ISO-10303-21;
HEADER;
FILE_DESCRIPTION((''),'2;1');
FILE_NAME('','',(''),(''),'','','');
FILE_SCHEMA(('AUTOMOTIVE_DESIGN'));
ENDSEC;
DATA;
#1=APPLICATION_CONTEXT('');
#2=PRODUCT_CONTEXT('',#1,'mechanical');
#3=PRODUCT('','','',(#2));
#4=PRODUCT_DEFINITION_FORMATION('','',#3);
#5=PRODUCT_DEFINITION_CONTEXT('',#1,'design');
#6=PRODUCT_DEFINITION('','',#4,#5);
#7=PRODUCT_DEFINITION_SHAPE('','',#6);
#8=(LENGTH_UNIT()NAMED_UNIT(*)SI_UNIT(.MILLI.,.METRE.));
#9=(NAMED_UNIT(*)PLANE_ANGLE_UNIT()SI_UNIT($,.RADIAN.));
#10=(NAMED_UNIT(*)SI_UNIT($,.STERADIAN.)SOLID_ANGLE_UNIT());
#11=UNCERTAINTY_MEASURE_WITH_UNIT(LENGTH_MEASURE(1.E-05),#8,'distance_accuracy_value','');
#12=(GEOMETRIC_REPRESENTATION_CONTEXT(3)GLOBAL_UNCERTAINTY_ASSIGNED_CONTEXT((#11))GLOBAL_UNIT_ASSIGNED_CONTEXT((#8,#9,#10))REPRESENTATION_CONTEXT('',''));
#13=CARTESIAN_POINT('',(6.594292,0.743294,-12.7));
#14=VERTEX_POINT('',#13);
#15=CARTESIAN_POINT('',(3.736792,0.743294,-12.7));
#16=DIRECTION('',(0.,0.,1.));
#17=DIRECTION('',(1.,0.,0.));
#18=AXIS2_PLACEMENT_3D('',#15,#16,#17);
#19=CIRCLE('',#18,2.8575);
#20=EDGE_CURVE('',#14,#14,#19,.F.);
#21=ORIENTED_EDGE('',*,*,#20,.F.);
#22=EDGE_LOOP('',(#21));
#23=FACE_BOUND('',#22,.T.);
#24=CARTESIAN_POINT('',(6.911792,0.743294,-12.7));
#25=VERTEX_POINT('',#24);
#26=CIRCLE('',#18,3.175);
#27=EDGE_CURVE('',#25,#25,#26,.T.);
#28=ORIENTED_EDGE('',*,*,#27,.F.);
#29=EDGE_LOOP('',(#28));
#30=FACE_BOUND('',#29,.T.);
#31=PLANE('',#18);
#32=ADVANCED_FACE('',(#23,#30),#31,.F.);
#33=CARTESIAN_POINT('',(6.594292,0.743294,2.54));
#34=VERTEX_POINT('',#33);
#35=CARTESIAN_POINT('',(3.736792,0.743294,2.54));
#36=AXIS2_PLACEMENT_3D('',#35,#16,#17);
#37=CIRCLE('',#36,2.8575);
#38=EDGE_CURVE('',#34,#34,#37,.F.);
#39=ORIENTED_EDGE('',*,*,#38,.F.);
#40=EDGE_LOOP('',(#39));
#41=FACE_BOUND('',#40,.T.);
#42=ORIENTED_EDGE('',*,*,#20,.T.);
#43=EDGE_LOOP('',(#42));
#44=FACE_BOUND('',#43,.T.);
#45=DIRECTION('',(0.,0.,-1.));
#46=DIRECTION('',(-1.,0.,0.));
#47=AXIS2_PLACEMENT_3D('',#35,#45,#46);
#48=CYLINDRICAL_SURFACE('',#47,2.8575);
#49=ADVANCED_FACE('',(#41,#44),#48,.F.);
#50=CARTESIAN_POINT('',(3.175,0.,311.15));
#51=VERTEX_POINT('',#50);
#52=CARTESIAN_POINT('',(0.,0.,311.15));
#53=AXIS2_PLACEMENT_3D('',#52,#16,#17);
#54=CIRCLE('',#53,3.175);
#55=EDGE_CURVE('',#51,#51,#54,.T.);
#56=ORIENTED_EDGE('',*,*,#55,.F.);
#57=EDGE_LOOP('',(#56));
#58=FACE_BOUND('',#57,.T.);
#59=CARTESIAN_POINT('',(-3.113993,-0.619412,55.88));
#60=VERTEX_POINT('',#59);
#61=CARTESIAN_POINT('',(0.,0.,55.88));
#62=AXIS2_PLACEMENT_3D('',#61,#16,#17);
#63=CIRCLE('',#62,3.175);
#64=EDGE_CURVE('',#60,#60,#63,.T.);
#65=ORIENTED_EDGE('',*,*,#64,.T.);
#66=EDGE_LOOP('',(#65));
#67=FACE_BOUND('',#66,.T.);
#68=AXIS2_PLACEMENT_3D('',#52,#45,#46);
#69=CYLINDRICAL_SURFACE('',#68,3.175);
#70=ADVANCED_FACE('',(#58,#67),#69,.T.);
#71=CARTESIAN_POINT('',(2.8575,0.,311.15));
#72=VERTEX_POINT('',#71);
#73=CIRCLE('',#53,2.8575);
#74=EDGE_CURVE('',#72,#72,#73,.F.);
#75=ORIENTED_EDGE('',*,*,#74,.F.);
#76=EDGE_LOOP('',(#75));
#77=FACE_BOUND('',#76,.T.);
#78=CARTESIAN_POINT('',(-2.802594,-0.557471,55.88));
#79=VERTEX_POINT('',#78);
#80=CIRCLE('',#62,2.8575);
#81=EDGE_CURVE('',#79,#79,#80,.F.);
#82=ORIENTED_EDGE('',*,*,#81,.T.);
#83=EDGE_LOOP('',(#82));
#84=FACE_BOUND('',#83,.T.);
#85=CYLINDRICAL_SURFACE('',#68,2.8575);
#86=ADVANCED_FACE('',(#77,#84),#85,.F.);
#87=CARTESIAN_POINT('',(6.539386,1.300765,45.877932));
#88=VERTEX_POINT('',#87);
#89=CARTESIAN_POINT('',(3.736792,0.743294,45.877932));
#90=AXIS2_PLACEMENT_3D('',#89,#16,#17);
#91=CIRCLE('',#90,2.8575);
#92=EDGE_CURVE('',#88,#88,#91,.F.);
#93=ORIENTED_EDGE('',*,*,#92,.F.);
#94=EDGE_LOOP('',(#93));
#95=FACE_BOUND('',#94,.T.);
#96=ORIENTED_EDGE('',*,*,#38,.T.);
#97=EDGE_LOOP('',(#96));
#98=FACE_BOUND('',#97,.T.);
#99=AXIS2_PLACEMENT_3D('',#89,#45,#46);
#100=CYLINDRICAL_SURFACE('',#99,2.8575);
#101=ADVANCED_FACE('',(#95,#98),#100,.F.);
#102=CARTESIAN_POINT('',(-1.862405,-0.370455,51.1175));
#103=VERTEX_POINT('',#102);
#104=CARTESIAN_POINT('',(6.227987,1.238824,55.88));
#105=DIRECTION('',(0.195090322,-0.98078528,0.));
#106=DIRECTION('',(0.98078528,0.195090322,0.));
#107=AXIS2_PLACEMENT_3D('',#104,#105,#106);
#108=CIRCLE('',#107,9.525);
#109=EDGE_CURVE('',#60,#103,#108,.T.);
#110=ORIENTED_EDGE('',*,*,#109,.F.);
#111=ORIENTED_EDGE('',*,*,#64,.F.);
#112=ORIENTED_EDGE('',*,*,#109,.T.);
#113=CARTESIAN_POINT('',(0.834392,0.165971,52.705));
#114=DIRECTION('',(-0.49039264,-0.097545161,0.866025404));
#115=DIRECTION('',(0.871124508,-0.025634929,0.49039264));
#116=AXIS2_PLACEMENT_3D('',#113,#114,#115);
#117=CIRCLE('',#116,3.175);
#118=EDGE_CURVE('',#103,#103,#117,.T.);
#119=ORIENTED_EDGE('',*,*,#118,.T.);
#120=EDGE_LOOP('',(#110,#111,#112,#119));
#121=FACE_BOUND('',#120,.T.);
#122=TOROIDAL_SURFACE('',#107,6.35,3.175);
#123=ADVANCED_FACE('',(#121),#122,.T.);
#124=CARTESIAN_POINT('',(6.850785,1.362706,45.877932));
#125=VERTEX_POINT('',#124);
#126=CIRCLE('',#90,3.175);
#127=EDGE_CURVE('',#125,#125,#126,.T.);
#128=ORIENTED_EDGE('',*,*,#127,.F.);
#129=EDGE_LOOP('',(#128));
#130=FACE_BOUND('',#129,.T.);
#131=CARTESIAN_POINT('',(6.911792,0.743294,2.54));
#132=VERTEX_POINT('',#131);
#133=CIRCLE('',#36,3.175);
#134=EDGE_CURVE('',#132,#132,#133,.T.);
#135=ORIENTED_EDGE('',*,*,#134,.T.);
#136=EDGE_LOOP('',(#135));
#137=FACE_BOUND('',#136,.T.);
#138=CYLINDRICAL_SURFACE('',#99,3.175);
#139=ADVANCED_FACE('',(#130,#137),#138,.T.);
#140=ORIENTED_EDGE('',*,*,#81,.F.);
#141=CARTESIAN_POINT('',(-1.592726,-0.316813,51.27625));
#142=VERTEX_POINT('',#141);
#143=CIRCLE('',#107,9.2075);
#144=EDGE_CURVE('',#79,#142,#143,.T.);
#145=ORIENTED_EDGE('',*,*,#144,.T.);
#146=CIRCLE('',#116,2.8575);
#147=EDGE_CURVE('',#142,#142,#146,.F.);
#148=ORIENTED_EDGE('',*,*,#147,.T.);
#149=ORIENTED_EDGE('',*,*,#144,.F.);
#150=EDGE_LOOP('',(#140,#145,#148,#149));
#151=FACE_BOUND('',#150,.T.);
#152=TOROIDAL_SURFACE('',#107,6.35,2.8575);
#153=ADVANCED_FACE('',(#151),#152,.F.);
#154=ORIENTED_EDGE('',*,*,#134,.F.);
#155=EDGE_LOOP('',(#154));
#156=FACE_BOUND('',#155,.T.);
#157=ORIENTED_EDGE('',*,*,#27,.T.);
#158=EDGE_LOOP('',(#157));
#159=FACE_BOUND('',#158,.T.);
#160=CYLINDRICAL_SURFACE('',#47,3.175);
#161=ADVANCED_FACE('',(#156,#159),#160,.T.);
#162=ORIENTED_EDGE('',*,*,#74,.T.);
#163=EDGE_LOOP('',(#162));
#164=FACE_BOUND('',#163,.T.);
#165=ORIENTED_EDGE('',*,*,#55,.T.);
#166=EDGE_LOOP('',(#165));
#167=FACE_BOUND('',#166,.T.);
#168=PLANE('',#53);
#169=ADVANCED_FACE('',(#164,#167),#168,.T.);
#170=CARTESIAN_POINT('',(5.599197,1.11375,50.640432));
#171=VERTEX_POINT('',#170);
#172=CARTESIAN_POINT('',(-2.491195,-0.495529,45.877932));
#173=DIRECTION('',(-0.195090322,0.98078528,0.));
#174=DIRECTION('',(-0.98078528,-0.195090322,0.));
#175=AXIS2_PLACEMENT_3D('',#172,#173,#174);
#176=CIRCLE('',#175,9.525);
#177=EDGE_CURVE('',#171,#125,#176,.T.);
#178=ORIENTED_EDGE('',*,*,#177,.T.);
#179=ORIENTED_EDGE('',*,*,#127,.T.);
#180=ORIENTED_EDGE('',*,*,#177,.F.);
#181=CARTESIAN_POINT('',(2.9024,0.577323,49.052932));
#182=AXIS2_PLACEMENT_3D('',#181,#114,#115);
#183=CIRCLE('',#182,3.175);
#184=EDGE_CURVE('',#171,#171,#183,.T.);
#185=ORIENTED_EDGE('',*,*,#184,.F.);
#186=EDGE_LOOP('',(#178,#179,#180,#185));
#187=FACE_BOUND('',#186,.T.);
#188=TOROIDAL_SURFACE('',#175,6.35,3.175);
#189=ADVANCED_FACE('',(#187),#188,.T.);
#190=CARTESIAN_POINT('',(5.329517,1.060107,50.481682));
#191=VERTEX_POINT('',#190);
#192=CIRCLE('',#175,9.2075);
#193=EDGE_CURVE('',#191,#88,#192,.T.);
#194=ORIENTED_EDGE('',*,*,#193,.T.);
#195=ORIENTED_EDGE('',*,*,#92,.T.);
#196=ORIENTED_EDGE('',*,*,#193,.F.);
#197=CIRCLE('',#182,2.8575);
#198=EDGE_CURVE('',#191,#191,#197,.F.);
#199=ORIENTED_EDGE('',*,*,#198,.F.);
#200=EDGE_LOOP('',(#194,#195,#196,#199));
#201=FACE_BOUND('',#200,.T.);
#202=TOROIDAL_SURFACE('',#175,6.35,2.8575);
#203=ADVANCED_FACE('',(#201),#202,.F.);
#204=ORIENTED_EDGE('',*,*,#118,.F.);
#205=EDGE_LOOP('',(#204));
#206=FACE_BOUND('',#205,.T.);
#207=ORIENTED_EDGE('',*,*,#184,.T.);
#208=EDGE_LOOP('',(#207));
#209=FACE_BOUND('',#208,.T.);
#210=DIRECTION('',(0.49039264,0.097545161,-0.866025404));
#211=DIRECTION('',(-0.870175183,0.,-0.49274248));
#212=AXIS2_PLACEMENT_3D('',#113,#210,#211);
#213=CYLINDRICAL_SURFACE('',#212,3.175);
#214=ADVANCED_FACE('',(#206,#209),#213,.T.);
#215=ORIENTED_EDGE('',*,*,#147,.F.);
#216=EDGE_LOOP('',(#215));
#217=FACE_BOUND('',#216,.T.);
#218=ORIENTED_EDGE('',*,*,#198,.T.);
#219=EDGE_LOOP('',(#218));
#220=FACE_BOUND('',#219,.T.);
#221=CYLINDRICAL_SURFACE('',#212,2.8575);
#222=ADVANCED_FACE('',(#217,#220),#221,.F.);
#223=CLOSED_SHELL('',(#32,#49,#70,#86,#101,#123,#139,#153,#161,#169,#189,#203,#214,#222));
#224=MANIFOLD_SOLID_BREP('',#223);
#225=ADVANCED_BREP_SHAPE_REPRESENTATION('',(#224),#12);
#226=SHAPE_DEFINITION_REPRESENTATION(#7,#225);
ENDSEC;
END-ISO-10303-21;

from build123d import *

# Parameters (mm, degrees)
SKETCH1_R   = 3.175
SKETCH1_R_2 = 2.8575


with BuildPart() as part:
    # Sweep1: sweep along a path in Sketch2
    with BuildLine(Plane(origin=(0, 0, 0), x_dir=(0, 0, 1), z_dir=(-0.1950903220161292, 0.9807852804032303, 0))) as sweep1_path:
        Line((-12.7, 3.81), (0, 3.81))
        Line((0, 3.81), (2.54, 3.81))
        Line((2.54, 3.81), (45.877931679, 3.81))
        ThreePointArc((45.877931679, 3.81), (47.521432616, 3.593628997), (49.052931679, 2.959261314))
        Line((49.052931679, 2.959261314), (52.705, 0.850738686))
        ThreePointArc((52.705, 0.850738686), (54.236499064, 0.216371003), (55.88, 0))
        Line((55.88, 0), (311.15, 0))
    # Sketch1 → Sweep1 (sweep)
    with BuildSketch(Plane.XY):
        with Locations((3.736791918, 0.743294127)):
            Circle(SKETCH1_R)
        with Locations((3.736791918, 0.743294127)):
            Circle(SKETCH1_R_2, mode=Mode.SUBTRACT)
    sweep(path=sweep1_path.line)


solid = part.part
